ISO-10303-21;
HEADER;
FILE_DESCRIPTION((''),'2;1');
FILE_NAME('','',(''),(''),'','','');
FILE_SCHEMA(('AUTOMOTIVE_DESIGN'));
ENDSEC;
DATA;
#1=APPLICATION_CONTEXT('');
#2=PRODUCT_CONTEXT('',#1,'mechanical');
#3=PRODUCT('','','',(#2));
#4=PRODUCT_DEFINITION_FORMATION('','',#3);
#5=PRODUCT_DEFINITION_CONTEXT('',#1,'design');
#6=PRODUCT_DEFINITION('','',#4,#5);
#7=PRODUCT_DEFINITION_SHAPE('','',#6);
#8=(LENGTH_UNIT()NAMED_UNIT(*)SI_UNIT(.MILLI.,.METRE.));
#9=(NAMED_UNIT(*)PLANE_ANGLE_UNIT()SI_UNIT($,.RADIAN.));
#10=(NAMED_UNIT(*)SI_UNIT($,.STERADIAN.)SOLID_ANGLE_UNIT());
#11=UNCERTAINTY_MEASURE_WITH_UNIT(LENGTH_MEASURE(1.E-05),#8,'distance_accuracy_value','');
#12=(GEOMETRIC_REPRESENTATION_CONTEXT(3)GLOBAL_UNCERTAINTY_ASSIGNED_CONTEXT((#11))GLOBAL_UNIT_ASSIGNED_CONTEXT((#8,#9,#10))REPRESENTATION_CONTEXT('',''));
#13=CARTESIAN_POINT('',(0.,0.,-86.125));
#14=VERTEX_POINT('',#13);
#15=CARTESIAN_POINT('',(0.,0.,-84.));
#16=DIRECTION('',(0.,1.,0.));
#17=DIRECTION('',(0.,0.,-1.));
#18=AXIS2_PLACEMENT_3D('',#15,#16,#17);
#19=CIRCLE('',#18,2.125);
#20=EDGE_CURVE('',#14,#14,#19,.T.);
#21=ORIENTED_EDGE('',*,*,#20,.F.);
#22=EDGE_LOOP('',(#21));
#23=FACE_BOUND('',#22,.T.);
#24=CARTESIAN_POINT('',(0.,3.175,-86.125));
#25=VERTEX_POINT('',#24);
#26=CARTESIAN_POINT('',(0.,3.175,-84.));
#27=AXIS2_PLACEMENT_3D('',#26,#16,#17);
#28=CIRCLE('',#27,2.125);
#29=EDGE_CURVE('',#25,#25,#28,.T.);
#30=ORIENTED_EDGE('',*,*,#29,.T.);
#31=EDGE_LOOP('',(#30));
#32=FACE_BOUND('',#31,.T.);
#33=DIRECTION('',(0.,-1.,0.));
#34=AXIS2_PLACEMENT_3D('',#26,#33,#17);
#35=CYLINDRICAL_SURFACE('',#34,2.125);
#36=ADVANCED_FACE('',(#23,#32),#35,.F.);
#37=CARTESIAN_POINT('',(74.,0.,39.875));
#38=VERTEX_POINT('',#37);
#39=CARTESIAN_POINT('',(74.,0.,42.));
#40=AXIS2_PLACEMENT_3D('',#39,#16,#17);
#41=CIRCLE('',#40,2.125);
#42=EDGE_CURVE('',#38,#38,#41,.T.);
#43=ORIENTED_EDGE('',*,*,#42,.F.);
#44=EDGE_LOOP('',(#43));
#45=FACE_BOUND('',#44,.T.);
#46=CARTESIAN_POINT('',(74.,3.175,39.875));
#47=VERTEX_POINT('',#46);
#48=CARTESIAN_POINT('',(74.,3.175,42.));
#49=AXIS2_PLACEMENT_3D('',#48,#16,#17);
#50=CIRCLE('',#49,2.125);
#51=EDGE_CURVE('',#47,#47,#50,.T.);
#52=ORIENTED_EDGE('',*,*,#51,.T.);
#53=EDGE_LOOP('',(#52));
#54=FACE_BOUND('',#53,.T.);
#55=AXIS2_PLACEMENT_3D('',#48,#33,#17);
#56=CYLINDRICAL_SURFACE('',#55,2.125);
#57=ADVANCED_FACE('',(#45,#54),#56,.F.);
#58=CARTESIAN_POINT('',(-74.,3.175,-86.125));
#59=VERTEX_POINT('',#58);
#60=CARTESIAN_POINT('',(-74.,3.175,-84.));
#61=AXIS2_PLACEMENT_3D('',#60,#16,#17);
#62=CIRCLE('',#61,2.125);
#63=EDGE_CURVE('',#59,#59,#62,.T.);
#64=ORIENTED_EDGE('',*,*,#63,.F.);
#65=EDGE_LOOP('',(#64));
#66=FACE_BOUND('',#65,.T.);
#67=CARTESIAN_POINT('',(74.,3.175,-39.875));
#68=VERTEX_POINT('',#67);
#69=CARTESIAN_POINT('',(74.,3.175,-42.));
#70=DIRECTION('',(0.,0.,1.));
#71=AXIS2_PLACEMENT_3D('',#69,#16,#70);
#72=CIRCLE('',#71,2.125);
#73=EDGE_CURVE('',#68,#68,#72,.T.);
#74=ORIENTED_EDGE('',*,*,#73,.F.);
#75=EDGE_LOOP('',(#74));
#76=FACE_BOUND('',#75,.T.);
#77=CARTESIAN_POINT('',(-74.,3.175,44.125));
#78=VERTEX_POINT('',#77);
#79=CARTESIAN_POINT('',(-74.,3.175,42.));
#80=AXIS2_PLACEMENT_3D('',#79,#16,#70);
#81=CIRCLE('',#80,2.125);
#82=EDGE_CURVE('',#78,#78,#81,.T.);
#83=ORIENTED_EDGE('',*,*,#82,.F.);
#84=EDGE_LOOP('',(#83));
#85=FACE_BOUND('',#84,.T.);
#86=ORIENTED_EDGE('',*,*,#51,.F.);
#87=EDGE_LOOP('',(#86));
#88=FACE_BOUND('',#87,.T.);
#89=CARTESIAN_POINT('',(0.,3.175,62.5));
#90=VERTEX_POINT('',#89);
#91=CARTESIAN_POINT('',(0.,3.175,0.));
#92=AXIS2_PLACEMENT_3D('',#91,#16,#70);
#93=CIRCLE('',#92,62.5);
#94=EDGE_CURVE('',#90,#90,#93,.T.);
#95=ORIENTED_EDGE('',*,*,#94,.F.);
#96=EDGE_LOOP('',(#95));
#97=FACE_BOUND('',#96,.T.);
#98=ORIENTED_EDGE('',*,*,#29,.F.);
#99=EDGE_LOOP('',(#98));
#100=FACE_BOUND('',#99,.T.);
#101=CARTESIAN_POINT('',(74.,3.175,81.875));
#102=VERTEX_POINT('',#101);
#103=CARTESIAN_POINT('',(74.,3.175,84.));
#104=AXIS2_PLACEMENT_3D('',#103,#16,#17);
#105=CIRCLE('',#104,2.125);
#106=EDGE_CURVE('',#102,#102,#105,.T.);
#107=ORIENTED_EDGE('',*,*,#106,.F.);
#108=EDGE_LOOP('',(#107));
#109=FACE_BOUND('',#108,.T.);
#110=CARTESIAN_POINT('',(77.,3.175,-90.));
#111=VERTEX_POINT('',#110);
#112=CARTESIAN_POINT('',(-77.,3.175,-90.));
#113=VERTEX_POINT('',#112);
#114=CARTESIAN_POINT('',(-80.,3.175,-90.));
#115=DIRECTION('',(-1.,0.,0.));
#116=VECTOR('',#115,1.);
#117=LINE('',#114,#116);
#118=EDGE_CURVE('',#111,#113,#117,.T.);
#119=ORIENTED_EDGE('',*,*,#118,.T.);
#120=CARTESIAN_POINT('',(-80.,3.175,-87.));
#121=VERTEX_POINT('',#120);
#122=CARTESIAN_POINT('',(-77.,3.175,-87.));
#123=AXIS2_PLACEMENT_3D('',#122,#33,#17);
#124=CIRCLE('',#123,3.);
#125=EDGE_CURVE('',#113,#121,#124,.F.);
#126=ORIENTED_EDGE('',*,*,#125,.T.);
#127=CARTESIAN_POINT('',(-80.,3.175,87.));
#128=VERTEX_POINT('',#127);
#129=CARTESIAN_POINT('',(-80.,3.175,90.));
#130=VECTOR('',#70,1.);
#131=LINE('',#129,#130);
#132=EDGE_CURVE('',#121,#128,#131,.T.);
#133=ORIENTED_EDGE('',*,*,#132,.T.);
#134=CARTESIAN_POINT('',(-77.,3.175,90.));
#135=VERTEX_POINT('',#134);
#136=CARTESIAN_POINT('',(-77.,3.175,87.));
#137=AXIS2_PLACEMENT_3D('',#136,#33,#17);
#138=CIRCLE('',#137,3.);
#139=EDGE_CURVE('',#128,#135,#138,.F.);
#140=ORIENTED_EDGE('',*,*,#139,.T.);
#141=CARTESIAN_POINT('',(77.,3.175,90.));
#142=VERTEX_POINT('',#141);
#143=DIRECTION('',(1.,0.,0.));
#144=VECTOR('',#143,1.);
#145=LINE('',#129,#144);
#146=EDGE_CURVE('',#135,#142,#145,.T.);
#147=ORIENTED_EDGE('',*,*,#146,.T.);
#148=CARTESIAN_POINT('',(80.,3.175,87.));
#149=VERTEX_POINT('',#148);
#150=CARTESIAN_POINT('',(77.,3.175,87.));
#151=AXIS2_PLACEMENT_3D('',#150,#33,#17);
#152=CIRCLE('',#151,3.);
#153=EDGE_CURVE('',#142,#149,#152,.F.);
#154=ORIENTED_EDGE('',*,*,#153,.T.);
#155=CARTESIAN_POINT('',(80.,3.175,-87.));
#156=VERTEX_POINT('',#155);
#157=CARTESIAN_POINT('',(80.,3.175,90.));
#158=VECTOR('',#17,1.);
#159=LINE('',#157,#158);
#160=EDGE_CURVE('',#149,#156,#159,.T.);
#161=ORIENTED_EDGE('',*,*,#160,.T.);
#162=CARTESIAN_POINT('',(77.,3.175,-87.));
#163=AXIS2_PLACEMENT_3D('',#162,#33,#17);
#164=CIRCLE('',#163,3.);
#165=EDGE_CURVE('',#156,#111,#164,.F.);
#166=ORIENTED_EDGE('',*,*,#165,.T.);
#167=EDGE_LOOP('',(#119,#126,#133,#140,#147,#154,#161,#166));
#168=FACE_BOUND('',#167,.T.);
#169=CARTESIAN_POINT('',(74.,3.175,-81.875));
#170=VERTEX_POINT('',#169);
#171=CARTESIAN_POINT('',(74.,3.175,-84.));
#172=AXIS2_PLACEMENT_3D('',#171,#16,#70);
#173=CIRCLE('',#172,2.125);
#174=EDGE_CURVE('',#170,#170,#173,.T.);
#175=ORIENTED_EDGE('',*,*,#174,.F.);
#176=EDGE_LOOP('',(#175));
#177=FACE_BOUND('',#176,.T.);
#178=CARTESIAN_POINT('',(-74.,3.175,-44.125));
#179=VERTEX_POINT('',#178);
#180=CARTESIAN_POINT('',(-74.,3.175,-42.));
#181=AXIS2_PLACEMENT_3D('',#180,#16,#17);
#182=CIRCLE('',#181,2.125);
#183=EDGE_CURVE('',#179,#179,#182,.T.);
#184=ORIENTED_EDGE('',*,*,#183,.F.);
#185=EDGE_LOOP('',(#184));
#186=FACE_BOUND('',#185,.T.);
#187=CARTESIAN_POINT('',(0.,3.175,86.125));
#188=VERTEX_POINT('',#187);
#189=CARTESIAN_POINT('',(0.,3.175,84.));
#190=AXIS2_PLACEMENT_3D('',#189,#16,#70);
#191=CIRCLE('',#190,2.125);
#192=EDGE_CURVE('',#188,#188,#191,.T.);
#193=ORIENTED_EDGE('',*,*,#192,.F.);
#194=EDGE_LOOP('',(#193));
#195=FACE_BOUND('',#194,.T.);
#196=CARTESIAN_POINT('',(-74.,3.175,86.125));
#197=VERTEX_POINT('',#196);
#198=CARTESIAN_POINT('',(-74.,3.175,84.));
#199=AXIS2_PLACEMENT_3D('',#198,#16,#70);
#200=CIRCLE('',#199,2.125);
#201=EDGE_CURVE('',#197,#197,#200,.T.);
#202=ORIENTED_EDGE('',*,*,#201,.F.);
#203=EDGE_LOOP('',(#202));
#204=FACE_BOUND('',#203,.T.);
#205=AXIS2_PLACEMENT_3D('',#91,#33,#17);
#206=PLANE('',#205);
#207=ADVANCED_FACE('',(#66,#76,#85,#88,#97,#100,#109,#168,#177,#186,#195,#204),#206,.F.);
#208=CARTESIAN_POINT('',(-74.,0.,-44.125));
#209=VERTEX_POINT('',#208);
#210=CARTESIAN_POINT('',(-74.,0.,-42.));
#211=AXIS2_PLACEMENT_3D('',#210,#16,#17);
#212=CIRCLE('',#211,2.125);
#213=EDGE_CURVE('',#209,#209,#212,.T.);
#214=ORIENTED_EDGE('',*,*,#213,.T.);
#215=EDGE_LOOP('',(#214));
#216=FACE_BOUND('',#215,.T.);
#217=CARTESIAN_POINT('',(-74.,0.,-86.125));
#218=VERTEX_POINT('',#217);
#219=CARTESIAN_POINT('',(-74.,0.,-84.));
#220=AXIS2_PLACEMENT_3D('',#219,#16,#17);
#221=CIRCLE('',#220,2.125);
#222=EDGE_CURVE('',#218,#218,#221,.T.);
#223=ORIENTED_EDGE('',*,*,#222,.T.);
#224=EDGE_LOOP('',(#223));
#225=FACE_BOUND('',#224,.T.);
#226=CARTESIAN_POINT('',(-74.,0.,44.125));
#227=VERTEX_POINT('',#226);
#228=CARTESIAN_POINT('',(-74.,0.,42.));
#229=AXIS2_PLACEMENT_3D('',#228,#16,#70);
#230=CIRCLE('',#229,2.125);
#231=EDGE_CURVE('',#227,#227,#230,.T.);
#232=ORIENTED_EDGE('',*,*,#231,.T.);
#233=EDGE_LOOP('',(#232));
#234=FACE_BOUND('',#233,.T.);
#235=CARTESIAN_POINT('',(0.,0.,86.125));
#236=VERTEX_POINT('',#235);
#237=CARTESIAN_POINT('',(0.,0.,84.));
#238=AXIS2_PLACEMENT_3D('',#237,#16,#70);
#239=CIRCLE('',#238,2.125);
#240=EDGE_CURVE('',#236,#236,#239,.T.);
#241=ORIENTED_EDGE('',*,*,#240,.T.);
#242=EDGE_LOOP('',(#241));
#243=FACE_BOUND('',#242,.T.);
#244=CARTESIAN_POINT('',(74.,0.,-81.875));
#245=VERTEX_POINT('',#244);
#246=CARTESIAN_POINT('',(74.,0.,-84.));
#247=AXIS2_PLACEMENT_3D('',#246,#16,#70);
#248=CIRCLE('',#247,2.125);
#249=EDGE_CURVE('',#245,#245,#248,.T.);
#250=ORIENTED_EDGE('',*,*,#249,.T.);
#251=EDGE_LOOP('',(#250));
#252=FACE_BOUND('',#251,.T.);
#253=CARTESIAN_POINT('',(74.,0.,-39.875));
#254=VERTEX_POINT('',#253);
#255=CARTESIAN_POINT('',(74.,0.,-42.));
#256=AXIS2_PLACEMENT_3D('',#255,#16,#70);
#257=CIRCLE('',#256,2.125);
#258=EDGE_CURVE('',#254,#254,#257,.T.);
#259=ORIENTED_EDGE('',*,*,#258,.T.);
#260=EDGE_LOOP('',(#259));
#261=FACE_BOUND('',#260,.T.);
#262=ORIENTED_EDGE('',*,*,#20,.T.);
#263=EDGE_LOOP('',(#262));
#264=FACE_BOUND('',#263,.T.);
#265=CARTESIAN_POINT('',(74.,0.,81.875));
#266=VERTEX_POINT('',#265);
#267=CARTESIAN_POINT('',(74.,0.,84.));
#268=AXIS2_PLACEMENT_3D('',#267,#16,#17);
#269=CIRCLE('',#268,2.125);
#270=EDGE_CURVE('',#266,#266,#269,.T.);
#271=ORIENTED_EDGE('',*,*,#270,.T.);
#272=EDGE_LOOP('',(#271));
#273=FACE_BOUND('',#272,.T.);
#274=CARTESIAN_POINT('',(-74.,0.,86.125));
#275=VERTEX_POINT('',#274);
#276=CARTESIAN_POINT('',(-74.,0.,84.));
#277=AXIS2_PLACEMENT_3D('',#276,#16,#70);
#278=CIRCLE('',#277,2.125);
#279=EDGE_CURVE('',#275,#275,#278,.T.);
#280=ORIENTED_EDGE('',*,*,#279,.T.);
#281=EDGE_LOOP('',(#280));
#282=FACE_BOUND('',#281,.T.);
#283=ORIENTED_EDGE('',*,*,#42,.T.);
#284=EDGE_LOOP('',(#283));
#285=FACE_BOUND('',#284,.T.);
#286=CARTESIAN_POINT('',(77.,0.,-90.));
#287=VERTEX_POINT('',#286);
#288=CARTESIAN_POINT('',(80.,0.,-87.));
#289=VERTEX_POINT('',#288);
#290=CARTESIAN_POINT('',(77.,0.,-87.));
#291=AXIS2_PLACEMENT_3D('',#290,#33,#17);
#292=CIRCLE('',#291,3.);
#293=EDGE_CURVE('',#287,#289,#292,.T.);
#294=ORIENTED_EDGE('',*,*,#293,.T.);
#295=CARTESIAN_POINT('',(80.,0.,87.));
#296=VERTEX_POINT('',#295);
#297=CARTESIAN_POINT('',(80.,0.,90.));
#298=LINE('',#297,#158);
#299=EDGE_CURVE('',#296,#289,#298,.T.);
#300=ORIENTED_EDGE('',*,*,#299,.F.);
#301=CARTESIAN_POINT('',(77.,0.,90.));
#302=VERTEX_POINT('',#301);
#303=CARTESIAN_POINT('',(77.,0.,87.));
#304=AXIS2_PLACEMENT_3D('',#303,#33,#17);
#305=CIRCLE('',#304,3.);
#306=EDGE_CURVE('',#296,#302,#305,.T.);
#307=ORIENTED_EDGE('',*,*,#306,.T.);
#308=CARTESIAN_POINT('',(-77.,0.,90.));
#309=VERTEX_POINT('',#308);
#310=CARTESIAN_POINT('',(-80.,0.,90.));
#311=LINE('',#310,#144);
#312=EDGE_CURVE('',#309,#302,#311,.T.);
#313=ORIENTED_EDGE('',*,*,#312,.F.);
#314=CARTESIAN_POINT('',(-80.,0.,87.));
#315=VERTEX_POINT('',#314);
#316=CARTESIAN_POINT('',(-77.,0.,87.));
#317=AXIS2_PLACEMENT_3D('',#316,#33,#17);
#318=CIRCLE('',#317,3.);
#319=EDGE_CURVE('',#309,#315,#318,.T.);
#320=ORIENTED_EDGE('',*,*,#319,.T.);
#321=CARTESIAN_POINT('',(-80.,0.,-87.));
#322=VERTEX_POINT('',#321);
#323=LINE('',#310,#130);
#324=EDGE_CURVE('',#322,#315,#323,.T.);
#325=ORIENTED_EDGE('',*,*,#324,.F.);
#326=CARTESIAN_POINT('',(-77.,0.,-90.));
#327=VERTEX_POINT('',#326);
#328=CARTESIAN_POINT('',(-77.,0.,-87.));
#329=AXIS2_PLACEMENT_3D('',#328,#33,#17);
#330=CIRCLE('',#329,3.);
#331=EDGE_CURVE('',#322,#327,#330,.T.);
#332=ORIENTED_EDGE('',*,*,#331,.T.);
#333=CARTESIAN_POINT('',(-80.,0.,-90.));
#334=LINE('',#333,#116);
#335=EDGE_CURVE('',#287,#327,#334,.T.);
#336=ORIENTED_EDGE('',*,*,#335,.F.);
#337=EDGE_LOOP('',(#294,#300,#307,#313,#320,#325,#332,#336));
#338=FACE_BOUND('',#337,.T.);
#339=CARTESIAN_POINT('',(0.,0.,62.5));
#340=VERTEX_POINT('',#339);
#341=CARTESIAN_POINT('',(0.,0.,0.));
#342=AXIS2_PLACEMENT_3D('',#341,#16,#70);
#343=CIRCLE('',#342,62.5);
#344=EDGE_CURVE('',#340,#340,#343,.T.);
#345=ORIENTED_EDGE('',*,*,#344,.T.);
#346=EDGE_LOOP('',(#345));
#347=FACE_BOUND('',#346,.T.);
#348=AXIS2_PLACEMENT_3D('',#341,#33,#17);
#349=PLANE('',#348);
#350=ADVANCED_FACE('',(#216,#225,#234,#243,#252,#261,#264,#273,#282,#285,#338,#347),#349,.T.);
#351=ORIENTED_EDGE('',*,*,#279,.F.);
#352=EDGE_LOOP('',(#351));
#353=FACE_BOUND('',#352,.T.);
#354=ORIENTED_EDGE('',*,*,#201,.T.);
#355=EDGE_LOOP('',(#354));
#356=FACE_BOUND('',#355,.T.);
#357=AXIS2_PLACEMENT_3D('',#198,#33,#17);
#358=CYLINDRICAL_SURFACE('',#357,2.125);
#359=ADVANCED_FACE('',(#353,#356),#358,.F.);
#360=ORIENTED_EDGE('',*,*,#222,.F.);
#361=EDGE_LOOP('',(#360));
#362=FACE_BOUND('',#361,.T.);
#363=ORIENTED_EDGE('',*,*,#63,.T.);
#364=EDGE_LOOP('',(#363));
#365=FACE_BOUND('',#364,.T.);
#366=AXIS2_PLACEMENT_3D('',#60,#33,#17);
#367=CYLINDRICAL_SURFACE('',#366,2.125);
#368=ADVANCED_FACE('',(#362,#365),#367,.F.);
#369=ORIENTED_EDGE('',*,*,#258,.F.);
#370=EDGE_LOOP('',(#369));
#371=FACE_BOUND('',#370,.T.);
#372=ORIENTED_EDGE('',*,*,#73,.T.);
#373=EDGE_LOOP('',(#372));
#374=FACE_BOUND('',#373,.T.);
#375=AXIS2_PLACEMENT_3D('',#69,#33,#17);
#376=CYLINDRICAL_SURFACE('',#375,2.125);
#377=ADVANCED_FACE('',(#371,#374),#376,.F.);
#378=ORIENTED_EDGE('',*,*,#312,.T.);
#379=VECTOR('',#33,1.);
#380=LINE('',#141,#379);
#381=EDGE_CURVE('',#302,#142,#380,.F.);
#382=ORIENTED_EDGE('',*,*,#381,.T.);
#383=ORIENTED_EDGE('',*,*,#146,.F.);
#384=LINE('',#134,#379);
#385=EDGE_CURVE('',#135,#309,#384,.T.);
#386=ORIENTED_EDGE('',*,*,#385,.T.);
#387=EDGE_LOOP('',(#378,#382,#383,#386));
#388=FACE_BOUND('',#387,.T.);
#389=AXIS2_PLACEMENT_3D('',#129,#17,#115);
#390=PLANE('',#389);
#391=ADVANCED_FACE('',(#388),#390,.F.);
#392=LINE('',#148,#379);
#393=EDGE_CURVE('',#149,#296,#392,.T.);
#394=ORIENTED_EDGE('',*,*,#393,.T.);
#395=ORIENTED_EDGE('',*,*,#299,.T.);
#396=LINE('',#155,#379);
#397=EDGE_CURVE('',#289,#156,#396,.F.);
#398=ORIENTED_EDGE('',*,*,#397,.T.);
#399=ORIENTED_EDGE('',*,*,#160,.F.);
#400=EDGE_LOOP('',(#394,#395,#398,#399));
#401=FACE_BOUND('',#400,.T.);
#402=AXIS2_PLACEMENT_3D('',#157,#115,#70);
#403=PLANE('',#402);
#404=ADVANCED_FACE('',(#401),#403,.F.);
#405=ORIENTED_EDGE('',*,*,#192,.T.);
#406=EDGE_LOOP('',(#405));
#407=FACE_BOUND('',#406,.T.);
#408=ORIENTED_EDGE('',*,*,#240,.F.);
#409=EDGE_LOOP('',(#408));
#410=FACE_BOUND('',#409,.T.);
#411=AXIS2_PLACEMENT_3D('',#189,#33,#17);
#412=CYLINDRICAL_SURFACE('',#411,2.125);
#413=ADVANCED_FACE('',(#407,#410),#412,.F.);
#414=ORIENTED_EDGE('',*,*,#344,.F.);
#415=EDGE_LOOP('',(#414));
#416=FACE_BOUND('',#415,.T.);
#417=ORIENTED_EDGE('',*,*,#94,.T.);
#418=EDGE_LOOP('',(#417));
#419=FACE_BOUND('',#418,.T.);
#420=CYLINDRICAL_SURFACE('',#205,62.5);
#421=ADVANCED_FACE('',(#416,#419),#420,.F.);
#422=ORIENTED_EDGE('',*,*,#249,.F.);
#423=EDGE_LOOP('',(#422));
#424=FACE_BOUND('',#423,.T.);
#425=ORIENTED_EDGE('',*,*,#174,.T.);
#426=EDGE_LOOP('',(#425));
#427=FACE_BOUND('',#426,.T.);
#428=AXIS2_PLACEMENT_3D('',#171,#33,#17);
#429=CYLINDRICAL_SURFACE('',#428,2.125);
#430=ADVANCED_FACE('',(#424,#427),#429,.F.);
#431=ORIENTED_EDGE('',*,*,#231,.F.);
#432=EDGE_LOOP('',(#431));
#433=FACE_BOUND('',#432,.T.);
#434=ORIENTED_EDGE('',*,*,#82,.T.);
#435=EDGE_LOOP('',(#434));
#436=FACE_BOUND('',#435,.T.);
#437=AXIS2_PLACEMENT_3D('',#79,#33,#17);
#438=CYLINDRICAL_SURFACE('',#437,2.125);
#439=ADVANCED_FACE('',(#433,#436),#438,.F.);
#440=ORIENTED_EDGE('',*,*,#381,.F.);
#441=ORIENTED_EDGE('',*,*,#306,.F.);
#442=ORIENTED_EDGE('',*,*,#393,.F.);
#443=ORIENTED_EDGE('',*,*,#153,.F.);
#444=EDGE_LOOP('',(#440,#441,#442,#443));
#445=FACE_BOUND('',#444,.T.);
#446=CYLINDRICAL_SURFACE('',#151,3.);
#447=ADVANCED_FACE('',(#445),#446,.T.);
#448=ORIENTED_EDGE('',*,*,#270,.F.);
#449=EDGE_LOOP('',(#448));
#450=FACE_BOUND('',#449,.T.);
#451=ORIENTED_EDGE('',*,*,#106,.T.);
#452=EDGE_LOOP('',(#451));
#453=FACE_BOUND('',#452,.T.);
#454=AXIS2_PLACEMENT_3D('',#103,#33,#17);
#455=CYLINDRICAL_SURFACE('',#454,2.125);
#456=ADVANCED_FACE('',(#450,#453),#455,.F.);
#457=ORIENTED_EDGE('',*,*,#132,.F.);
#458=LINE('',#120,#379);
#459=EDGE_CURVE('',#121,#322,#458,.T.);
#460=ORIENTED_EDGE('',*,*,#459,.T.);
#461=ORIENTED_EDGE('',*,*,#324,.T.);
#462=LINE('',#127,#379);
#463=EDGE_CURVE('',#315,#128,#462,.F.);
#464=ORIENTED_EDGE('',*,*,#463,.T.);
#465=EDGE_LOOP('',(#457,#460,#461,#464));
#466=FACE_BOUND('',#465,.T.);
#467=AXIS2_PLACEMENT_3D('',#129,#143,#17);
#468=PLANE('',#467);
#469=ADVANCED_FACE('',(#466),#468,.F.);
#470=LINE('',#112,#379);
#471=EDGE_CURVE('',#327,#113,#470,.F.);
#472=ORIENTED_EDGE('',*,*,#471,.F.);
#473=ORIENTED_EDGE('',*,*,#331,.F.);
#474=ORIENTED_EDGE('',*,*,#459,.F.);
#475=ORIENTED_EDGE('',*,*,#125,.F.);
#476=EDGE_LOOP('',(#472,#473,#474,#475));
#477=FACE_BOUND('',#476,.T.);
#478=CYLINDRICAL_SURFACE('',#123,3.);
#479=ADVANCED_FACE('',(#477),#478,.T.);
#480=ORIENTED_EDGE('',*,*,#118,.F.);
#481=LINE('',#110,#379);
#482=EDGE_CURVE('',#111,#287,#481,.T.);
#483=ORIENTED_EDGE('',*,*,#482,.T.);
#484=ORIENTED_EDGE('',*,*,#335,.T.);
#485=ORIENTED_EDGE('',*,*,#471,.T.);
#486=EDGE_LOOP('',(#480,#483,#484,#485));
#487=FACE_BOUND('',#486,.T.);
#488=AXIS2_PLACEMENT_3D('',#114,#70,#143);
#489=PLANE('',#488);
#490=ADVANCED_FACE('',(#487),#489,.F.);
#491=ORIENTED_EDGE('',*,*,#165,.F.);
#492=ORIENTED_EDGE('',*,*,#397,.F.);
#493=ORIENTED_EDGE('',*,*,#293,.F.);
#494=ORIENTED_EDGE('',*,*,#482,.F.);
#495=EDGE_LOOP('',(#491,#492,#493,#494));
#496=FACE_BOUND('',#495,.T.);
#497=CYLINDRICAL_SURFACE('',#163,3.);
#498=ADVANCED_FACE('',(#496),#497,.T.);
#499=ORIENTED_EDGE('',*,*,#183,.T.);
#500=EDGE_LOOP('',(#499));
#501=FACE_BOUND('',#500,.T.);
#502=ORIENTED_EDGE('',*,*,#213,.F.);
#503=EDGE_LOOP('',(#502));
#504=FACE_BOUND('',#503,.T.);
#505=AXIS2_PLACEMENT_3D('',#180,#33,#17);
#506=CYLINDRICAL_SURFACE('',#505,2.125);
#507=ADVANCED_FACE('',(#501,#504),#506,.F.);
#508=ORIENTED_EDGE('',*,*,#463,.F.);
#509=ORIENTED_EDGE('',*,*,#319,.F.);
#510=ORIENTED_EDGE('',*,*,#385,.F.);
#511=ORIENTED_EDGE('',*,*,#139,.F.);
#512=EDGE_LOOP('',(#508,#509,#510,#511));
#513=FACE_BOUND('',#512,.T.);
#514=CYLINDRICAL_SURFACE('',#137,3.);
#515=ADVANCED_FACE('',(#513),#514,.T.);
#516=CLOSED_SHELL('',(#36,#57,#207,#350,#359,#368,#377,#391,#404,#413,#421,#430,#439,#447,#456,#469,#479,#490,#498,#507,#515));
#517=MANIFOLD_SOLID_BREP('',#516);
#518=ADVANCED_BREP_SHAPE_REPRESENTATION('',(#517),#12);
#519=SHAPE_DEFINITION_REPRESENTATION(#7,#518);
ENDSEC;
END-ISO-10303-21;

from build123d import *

# Parameters (mm, degrees)
SKETCH1_W           = 160
SKETCH1_H           = 180
SKETCH1_R           = 62.5
SKETCH1_R_2         = 2.125
BOSS_EXTRUDE1_DEPTH = 3.175
FILLET1_R           = 3


with BuildPart() as part:
    # Sketch1 → Boss-Extrude1 (new body)
    with BuildSketch(Plane(origin=(0, 0, 0), x_dir=(1, 0, 0), z_dir=(0, 1, 0))):
        Rectangle(SKETCH1_W, SKETCH1_H)
        with Locations(Location((0, 0, 0), (0, 0, 270))):
            Circle(SKETCH1_R, mode=Mode.SUBTRACT)
        with Locations(Location((-74, -84, 0), (0, 0, 270))):
            Circle(SKETCH1_R_2, mode=Mode.SUBTRACT)
        with Locations(Location((-74, -42, 0), (0, 0, 270))):
            Circle(SKETCH1_R_2, mode=Mode.SUBTRACT)
        with Locations(Location((-74, 84, 0), (0, 0, 90))):
            Circle(SKETCH1_R_2, mode=Mode.SUBTRACT)
        with Locations(Location((74, -84, 0), (0, 0, 90))):
            Circle(SKETCH1_R_2, mode=Mode.SUBTRACT)
        with Locations(Location((74, -42, 0), (0, 0, 90))):
            Circle(SKETCH1_R_2, mode=Mode.SUBTRACT)
        with Locations(Location((74, 84, 0), (0, 0, 270))):
            Circle(SKETCH1_R_2, mode=Mode.SUBTRACT)
        with Locations(Location((0, -84, 0), (0, 0, 270))):
            Circle(SKETCH1_R_2, mode=Mode.SUBTRACT)
        with Locations(Location((0, 84, 0), (0, 0, 90))):
            Circle(SKETCH1_R_2, mode=Mode.SUBTRACT)
        with Locations(Location((74, 42, 0), (0, 0, 270))):
            Circle(SKETCH1_R_2, mode=Mode.SUBTRACT)
        with Locations(Location((-74, 42, 0), (0, 0, 90))):
            Circle(SKETCH1_R_2, mode=Mode.SUBTRACT)
    extrude(amount=BOSS_EXTRUDE1_DEPTH)

    # Fillet1
    fillet1_edges = [part.edges().sort_by_distance(p)[0] for p in [
        (80, 1.5875, 90),
        (-80, 1.5875, 90),
        (-80, 1.5875, -90),
        (80, 1.5875, -90),
    ]]
    fillet(fillet1_edges, radius=FILLET1_R)


solid = part.part
